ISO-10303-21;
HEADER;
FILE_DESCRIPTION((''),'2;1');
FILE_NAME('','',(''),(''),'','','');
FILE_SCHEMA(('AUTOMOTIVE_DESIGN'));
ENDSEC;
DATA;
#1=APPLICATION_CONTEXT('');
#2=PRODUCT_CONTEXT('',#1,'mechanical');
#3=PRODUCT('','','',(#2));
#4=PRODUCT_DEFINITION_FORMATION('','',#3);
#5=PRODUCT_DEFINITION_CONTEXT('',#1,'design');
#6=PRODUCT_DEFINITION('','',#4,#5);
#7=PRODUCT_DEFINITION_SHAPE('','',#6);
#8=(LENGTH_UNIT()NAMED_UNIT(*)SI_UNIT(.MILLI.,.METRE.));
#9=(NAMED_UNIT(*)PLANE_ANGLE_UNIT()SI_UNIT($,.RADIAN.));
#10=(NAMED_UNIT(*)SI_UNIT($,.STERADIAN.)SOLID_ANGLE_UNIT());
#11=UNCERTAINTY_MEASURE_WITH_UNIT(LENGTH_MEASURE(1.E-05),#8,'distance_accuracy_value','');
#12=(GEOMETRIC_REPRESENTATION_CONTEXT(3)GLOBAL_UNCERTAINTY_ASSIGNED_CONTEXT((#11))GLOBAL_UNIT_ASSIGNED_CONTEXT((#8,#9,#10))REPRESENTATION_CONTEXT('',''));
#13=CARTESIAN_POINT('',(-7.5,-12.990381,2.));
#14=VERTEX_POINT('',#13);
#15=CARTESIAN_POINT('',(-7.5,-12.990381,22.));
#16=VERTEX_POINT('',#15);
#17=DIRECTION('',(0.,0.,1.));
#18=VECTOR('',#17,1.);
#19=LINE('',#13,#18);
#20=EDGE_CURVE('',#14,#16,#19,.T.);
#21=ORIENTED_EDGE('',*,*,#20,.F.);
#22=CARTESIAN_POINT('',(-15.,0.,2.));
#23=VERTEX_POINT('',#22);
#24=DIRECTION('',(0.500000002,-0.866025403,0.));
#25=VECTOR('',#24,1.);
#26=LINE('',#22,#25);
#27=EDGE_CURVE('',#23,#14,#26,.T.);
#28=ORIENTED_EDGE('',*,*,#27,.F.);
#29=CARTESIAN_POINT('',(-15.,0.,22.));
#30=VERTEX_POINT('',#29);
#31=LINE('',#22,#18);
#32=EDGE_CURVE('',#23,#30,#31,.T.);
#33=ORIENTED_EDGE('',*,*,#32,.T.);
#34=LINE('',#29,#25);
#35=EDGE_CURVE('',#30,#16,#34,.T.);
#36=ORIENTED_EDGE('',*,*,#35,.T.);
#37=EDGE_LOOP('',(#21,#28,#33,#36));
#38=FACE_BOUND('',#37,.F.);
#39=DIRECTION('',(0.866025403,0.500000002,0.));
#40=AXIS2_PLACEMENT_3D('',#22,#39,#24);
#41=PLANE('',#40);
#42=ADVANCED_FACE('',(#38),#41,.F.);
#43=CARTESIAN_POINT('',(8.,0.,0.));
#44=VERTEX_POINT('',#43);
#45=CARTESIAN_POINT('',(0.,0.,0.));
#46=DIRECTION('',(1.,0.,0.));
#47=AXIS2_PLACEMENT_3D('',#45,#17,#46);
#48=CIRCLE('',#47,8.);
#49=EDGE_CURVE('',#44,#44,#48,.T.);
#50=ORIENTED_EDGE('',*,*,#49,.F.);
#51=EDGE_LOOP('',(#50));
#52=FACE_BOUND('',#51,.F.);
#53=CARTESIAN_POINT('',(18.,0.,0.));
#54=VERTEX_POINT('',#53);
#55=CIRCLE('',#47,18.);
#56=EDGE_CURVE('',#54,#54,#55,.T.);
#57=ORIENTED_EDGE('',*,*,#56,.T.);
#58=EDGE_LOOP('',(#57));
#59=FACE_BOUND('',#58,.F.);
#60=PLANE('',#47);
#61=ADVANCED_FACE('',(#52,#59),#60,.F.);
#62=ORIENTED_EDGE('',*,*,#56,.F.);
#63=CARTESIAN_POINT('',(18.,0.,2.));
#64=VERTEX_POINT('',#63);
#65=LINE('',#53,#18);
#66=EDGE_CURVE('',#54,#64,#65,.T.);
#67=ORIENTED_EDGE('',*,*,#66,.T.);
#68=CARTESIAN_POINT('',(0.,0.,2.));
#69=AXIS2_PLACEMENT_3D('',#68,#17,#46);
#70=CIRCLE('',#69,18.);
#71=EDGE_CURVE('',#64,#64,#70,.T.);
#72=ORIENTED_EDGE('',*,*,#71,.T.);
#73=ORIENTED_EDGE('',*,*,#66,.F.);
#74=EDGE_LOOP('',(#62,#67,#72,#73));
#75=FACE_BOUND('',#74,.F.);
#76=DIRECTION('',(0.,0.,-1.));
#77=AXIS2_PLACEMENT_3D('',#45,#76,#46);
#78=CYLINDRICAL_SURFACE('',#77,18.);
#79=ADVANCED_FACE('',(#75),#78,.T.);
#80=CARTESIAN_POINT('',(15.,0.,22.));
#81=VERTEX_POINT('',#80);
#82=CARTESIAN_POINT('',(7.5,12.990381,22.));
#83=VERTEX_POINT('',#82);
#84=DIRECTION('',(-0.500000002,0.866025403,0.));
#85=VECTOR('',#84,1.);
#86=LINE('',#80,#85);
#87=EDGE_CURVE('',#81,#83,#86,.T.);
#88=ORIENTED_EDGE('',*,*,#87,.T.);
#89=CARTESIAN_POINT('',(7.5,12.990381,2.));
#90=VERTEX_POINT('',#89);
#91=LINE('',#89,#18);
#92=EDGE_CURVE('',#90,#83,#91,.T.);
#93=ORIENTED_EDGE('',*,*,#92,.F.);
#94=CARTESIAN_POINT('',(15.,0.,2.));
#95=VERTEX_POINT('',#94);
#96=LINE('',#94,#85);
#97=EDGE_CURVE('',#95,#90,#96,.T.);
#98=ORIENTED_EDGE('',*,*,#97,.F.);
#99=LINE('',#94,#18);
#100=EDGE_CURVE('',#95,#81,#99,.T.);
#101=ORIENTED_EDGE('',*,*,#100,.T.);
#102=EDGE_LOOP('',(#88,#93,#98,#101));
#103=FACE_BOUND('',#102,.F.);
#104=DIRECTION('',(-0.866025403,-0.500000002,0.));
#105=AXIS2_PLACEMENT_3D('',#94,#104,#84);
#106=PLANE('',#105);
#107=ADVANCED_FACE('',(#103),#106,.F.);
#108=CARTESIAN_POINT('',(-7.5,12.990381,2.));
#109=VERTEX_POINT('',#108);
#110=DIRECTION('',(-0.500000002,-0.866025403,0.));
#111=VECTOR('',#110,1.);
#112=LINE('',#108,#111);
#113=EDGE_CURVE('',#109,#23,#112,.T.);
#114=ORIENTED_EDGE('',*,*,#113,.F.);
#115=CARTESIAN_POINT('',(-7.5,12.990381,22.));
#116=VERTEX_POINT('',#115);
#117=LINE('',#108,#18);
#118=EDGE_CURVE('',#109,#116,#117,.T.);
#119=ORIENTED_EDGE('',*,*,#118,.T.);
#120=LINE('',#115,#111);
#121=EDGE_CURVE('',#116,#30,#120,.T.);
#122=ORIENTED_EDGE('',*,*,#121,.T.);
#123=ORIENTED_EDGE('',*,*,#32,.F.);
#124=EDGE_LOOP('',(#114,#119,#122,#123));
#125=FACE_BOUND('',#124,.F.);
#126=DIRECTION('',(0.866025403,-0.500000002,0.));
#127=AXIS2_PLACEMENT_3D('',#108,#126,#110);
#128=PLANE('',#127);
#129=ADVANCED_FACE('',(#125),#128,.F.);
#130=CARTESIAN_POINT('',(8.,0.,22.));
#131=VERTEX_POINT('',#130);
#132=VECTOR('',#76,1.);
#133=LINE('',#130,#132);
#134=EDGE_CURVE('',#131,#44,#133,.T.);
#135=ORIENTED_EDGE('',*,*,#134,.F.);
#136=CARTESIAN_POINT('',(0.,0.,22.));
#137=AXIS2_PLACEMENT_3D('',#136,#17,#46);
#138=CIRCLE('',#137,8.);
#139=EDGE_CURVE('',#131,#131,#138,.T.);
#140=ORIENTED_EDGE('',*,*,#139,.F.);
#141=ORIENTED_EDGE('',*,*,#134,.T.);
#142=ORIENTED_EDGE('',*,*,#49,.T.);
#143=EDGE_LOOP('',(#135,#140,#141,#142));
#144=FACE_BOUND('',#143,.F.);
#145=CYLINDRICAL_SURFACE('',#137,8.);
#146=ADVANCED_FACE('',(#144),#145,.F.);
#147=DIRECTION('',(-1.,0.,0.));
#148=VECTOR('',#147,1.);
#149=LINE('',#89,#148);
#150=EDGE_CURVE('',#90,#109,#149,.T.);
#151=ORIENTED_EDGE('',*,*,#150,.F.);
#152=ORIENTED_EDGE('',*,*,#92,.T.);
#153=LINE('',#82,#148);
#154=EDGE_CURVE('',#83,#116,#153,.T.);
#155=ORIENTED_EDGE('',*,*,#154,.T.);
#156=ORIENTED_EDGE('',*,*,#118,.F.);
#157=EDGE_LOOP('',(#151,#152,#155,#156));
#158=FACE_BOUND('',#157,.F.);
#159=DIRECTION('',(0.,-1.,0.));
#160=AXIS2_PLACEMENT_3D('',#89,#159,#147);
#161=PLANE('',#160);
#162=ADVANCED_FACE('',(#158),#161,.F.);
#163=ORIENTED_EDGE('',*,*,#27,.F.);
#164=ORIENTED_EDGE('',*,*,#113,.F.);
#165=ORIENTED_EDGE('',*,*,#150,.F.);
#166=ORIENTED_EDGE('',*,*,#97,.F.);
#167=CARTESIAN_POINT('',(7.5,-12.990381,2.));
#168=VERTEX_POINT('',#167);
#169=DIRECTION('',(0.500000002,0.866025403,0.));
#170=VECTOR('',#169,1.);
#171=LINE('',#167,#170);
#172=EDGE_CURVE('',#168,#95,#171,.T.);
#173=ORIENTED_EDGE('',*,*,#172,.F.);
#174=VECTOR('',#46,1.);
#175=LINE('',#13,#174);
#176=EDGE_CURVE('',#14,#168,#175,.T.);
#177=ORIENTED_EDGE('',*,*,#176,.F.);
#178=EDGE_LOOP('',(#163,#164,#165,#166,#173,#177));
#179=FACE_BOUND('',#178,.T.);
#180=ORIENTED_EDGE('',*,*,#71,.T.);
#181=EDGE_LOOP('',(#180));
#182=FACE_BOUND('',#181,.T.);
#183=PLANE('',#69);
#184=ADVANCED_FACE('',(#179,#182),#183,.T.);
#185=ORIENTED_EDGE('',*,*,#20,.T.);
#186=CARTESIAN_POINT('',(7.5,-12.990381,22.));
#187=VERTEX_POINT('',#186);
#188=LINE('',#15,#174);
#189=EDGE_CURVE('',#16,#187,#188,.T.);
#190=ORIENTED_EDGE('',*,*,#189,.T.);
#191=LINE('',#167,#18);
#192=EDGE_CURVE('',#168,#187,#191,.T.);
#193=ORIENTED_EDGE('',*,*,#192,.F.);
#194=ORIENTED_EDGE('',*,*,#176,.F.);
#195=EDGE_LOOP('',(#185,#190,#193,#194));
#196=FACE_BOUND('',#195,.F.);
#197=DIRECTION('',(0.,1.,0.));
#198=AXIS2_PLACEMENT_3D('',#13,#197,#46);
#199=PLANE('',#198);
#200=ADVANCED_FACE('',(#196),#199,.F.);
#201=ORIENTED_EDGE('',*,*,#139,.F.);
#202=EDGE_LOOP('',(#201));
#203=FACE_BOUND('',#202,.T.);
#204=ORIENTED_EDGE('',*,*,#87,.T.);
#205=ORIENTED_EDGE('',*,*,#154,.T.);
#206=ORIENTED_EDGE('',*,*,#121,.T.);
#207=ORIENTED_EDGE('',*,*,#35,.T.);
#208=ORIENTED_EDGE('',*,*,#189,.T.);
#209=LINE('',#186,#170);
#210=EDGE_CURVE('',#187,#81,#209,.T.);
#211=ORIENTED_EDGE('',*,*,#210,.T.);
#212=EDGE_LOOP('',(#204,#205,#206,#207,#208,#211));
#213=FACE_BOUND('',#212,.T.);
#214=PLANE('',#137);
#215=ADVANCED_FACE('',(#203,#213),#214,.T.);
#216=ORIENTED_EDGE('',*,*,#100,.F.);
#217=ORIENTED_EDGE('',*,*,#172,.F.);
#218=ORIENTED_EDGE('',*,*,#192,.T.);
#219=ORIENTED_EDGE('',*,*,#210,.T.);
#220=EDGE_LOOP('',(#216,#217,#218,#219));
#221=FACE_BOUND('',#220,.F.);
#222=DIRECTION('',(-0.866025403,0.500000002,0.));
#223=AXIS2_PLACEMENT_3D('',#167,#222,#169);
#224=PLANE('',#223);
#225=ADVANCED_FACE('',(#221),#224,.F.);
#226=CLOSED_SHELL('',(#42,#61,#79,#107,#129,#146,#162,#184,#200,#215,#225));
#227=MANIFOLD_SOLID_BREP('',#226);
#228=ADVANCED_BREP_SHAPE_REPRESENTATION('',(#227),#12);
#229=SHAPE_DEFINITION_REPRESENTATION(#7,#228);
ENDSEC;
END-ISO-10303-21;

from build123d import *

# Parameters (mm, degrees)
SKETCH_R     = 18
PAD_DEPTH    = 2
PAD001_DEPTH = 20
SKETCH002_R  = 8
POCKET_DEPTH = 22


with BuildPart() as part:
    # Sketch → Pad (new body)
    with BuildSketch(Plane.XY):
        Circle(SKETCH_R)
    extrude(amount=PAD_DEPTH)

    # Sketch001 (on Face3 of Pad) → Pad001 (join)
    with BuildSketch(Plane.XY.offset(2)):
        Polygon((15, 0), (7.5, 12.990381), (-7.5, 12.990381), (-15, 0), (-7.5, -12.990381), (7.5, -12.990381), align=None)
    extrude(amount=PAD001_DEPTH)

    # Sketch002 (on Face10 of Pad001) → Pocket (cut)
    with BuildSketch(Plane.XY.offset(22)):
        Circle(SKETCH002_R)
    extrude(amount=-POCKET_DEPTH, mode=Mode.SUBTRACT)


solid = part.part
